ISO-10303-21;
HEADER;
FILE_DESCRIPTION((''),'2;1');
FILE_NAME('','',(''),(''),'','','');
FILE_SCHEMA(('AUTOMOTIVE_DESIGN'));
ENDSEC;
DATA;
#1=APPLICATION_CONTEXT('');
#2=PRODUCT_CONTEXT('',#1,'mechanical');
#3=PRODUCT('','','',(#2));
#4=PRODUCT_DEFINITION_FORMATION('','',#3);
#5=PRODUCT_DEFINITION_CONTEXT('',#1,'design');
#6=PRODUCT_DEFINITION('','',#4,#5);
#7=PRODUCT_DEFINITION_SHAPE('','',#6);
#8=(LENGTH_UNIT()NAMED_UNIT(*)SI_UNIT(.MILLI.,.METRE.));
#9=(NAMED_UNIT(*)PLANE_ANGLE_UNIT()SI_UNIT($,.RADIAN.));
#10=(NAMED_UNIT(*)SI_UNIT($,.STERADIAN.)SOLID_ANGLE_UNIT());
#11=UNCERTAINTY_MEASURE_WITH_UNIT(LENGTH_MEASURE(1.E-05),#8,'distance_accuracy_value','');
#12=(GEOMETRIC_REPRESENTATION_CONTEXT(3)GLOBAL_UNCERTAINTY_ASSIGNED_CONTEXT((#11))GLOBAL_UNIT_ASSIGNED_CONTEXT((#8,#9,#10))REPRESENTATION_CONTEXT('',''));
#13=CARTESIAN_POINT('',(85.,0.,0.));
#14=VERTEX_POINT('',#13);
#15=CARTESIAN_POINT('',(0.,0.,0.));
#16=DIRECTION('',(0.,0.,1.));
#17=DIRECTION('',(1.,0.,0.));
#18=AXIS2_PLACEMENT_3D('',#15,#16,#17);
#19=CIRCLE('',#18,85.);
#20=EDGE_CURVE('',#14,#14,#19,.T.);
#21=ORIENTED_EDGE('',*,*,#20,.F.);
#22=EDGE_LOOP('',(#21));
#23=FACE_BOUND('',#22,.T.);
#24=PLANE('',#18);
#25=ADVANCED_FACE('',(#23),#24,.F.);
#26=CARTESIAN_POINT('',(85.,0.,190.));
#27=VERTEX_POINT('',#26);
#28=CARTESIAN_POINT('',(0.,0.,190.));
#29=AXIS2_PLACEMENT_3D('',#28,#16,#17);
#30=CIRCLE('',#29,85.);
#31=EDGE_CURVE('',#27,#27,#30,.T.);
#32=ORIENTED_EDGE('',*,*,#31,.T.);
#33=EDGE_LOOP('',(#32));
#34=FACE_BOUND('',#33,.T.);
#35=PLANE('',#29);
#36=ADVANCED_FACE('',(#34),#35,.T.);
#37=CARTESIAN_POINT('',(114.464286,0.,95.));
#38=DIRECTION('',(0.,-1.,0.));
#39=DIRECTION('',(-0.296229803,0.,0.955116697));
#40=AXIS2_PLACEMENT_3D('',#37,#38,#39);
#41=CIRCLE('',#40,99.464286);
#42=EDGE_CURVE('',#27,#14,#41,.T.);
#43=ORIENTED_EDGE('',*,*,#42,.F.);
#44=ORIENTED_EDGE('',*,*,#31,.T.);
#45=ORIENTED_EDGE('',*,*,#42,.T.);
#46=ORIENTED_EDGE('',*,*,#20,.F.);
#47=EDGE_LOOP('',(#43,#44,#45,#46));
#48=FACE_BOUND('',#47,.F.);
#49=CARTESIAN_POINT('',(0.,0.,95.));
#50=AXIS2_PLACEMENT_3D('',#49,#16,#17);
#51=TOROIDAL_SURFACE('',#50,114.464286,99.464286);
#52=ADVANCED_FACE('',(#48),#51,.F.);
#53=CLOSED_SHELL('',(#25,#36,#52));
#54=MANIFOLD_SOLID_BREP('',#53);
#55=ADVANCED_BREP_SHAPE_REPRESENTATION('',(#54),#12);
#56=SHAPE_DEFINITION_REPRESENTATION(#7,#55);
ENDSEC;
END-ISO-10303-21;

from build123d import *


with BuildPart() as part:
    # Sketch002 → Revolution (revolve)
    with BuildSketch(Plane.XZ):
        with BuildLine():
            ThreePointArc((85, 190), (15, 95), (85, 0))
            Line((0, 0), (85, 0))
            Line((0, 190), (0, 0))
            Line((85, 190), (0, 190))
        make_face()
    revolve(axis=Axis((0, 0, 0), (0, 0, 1)))


solid = part.part
